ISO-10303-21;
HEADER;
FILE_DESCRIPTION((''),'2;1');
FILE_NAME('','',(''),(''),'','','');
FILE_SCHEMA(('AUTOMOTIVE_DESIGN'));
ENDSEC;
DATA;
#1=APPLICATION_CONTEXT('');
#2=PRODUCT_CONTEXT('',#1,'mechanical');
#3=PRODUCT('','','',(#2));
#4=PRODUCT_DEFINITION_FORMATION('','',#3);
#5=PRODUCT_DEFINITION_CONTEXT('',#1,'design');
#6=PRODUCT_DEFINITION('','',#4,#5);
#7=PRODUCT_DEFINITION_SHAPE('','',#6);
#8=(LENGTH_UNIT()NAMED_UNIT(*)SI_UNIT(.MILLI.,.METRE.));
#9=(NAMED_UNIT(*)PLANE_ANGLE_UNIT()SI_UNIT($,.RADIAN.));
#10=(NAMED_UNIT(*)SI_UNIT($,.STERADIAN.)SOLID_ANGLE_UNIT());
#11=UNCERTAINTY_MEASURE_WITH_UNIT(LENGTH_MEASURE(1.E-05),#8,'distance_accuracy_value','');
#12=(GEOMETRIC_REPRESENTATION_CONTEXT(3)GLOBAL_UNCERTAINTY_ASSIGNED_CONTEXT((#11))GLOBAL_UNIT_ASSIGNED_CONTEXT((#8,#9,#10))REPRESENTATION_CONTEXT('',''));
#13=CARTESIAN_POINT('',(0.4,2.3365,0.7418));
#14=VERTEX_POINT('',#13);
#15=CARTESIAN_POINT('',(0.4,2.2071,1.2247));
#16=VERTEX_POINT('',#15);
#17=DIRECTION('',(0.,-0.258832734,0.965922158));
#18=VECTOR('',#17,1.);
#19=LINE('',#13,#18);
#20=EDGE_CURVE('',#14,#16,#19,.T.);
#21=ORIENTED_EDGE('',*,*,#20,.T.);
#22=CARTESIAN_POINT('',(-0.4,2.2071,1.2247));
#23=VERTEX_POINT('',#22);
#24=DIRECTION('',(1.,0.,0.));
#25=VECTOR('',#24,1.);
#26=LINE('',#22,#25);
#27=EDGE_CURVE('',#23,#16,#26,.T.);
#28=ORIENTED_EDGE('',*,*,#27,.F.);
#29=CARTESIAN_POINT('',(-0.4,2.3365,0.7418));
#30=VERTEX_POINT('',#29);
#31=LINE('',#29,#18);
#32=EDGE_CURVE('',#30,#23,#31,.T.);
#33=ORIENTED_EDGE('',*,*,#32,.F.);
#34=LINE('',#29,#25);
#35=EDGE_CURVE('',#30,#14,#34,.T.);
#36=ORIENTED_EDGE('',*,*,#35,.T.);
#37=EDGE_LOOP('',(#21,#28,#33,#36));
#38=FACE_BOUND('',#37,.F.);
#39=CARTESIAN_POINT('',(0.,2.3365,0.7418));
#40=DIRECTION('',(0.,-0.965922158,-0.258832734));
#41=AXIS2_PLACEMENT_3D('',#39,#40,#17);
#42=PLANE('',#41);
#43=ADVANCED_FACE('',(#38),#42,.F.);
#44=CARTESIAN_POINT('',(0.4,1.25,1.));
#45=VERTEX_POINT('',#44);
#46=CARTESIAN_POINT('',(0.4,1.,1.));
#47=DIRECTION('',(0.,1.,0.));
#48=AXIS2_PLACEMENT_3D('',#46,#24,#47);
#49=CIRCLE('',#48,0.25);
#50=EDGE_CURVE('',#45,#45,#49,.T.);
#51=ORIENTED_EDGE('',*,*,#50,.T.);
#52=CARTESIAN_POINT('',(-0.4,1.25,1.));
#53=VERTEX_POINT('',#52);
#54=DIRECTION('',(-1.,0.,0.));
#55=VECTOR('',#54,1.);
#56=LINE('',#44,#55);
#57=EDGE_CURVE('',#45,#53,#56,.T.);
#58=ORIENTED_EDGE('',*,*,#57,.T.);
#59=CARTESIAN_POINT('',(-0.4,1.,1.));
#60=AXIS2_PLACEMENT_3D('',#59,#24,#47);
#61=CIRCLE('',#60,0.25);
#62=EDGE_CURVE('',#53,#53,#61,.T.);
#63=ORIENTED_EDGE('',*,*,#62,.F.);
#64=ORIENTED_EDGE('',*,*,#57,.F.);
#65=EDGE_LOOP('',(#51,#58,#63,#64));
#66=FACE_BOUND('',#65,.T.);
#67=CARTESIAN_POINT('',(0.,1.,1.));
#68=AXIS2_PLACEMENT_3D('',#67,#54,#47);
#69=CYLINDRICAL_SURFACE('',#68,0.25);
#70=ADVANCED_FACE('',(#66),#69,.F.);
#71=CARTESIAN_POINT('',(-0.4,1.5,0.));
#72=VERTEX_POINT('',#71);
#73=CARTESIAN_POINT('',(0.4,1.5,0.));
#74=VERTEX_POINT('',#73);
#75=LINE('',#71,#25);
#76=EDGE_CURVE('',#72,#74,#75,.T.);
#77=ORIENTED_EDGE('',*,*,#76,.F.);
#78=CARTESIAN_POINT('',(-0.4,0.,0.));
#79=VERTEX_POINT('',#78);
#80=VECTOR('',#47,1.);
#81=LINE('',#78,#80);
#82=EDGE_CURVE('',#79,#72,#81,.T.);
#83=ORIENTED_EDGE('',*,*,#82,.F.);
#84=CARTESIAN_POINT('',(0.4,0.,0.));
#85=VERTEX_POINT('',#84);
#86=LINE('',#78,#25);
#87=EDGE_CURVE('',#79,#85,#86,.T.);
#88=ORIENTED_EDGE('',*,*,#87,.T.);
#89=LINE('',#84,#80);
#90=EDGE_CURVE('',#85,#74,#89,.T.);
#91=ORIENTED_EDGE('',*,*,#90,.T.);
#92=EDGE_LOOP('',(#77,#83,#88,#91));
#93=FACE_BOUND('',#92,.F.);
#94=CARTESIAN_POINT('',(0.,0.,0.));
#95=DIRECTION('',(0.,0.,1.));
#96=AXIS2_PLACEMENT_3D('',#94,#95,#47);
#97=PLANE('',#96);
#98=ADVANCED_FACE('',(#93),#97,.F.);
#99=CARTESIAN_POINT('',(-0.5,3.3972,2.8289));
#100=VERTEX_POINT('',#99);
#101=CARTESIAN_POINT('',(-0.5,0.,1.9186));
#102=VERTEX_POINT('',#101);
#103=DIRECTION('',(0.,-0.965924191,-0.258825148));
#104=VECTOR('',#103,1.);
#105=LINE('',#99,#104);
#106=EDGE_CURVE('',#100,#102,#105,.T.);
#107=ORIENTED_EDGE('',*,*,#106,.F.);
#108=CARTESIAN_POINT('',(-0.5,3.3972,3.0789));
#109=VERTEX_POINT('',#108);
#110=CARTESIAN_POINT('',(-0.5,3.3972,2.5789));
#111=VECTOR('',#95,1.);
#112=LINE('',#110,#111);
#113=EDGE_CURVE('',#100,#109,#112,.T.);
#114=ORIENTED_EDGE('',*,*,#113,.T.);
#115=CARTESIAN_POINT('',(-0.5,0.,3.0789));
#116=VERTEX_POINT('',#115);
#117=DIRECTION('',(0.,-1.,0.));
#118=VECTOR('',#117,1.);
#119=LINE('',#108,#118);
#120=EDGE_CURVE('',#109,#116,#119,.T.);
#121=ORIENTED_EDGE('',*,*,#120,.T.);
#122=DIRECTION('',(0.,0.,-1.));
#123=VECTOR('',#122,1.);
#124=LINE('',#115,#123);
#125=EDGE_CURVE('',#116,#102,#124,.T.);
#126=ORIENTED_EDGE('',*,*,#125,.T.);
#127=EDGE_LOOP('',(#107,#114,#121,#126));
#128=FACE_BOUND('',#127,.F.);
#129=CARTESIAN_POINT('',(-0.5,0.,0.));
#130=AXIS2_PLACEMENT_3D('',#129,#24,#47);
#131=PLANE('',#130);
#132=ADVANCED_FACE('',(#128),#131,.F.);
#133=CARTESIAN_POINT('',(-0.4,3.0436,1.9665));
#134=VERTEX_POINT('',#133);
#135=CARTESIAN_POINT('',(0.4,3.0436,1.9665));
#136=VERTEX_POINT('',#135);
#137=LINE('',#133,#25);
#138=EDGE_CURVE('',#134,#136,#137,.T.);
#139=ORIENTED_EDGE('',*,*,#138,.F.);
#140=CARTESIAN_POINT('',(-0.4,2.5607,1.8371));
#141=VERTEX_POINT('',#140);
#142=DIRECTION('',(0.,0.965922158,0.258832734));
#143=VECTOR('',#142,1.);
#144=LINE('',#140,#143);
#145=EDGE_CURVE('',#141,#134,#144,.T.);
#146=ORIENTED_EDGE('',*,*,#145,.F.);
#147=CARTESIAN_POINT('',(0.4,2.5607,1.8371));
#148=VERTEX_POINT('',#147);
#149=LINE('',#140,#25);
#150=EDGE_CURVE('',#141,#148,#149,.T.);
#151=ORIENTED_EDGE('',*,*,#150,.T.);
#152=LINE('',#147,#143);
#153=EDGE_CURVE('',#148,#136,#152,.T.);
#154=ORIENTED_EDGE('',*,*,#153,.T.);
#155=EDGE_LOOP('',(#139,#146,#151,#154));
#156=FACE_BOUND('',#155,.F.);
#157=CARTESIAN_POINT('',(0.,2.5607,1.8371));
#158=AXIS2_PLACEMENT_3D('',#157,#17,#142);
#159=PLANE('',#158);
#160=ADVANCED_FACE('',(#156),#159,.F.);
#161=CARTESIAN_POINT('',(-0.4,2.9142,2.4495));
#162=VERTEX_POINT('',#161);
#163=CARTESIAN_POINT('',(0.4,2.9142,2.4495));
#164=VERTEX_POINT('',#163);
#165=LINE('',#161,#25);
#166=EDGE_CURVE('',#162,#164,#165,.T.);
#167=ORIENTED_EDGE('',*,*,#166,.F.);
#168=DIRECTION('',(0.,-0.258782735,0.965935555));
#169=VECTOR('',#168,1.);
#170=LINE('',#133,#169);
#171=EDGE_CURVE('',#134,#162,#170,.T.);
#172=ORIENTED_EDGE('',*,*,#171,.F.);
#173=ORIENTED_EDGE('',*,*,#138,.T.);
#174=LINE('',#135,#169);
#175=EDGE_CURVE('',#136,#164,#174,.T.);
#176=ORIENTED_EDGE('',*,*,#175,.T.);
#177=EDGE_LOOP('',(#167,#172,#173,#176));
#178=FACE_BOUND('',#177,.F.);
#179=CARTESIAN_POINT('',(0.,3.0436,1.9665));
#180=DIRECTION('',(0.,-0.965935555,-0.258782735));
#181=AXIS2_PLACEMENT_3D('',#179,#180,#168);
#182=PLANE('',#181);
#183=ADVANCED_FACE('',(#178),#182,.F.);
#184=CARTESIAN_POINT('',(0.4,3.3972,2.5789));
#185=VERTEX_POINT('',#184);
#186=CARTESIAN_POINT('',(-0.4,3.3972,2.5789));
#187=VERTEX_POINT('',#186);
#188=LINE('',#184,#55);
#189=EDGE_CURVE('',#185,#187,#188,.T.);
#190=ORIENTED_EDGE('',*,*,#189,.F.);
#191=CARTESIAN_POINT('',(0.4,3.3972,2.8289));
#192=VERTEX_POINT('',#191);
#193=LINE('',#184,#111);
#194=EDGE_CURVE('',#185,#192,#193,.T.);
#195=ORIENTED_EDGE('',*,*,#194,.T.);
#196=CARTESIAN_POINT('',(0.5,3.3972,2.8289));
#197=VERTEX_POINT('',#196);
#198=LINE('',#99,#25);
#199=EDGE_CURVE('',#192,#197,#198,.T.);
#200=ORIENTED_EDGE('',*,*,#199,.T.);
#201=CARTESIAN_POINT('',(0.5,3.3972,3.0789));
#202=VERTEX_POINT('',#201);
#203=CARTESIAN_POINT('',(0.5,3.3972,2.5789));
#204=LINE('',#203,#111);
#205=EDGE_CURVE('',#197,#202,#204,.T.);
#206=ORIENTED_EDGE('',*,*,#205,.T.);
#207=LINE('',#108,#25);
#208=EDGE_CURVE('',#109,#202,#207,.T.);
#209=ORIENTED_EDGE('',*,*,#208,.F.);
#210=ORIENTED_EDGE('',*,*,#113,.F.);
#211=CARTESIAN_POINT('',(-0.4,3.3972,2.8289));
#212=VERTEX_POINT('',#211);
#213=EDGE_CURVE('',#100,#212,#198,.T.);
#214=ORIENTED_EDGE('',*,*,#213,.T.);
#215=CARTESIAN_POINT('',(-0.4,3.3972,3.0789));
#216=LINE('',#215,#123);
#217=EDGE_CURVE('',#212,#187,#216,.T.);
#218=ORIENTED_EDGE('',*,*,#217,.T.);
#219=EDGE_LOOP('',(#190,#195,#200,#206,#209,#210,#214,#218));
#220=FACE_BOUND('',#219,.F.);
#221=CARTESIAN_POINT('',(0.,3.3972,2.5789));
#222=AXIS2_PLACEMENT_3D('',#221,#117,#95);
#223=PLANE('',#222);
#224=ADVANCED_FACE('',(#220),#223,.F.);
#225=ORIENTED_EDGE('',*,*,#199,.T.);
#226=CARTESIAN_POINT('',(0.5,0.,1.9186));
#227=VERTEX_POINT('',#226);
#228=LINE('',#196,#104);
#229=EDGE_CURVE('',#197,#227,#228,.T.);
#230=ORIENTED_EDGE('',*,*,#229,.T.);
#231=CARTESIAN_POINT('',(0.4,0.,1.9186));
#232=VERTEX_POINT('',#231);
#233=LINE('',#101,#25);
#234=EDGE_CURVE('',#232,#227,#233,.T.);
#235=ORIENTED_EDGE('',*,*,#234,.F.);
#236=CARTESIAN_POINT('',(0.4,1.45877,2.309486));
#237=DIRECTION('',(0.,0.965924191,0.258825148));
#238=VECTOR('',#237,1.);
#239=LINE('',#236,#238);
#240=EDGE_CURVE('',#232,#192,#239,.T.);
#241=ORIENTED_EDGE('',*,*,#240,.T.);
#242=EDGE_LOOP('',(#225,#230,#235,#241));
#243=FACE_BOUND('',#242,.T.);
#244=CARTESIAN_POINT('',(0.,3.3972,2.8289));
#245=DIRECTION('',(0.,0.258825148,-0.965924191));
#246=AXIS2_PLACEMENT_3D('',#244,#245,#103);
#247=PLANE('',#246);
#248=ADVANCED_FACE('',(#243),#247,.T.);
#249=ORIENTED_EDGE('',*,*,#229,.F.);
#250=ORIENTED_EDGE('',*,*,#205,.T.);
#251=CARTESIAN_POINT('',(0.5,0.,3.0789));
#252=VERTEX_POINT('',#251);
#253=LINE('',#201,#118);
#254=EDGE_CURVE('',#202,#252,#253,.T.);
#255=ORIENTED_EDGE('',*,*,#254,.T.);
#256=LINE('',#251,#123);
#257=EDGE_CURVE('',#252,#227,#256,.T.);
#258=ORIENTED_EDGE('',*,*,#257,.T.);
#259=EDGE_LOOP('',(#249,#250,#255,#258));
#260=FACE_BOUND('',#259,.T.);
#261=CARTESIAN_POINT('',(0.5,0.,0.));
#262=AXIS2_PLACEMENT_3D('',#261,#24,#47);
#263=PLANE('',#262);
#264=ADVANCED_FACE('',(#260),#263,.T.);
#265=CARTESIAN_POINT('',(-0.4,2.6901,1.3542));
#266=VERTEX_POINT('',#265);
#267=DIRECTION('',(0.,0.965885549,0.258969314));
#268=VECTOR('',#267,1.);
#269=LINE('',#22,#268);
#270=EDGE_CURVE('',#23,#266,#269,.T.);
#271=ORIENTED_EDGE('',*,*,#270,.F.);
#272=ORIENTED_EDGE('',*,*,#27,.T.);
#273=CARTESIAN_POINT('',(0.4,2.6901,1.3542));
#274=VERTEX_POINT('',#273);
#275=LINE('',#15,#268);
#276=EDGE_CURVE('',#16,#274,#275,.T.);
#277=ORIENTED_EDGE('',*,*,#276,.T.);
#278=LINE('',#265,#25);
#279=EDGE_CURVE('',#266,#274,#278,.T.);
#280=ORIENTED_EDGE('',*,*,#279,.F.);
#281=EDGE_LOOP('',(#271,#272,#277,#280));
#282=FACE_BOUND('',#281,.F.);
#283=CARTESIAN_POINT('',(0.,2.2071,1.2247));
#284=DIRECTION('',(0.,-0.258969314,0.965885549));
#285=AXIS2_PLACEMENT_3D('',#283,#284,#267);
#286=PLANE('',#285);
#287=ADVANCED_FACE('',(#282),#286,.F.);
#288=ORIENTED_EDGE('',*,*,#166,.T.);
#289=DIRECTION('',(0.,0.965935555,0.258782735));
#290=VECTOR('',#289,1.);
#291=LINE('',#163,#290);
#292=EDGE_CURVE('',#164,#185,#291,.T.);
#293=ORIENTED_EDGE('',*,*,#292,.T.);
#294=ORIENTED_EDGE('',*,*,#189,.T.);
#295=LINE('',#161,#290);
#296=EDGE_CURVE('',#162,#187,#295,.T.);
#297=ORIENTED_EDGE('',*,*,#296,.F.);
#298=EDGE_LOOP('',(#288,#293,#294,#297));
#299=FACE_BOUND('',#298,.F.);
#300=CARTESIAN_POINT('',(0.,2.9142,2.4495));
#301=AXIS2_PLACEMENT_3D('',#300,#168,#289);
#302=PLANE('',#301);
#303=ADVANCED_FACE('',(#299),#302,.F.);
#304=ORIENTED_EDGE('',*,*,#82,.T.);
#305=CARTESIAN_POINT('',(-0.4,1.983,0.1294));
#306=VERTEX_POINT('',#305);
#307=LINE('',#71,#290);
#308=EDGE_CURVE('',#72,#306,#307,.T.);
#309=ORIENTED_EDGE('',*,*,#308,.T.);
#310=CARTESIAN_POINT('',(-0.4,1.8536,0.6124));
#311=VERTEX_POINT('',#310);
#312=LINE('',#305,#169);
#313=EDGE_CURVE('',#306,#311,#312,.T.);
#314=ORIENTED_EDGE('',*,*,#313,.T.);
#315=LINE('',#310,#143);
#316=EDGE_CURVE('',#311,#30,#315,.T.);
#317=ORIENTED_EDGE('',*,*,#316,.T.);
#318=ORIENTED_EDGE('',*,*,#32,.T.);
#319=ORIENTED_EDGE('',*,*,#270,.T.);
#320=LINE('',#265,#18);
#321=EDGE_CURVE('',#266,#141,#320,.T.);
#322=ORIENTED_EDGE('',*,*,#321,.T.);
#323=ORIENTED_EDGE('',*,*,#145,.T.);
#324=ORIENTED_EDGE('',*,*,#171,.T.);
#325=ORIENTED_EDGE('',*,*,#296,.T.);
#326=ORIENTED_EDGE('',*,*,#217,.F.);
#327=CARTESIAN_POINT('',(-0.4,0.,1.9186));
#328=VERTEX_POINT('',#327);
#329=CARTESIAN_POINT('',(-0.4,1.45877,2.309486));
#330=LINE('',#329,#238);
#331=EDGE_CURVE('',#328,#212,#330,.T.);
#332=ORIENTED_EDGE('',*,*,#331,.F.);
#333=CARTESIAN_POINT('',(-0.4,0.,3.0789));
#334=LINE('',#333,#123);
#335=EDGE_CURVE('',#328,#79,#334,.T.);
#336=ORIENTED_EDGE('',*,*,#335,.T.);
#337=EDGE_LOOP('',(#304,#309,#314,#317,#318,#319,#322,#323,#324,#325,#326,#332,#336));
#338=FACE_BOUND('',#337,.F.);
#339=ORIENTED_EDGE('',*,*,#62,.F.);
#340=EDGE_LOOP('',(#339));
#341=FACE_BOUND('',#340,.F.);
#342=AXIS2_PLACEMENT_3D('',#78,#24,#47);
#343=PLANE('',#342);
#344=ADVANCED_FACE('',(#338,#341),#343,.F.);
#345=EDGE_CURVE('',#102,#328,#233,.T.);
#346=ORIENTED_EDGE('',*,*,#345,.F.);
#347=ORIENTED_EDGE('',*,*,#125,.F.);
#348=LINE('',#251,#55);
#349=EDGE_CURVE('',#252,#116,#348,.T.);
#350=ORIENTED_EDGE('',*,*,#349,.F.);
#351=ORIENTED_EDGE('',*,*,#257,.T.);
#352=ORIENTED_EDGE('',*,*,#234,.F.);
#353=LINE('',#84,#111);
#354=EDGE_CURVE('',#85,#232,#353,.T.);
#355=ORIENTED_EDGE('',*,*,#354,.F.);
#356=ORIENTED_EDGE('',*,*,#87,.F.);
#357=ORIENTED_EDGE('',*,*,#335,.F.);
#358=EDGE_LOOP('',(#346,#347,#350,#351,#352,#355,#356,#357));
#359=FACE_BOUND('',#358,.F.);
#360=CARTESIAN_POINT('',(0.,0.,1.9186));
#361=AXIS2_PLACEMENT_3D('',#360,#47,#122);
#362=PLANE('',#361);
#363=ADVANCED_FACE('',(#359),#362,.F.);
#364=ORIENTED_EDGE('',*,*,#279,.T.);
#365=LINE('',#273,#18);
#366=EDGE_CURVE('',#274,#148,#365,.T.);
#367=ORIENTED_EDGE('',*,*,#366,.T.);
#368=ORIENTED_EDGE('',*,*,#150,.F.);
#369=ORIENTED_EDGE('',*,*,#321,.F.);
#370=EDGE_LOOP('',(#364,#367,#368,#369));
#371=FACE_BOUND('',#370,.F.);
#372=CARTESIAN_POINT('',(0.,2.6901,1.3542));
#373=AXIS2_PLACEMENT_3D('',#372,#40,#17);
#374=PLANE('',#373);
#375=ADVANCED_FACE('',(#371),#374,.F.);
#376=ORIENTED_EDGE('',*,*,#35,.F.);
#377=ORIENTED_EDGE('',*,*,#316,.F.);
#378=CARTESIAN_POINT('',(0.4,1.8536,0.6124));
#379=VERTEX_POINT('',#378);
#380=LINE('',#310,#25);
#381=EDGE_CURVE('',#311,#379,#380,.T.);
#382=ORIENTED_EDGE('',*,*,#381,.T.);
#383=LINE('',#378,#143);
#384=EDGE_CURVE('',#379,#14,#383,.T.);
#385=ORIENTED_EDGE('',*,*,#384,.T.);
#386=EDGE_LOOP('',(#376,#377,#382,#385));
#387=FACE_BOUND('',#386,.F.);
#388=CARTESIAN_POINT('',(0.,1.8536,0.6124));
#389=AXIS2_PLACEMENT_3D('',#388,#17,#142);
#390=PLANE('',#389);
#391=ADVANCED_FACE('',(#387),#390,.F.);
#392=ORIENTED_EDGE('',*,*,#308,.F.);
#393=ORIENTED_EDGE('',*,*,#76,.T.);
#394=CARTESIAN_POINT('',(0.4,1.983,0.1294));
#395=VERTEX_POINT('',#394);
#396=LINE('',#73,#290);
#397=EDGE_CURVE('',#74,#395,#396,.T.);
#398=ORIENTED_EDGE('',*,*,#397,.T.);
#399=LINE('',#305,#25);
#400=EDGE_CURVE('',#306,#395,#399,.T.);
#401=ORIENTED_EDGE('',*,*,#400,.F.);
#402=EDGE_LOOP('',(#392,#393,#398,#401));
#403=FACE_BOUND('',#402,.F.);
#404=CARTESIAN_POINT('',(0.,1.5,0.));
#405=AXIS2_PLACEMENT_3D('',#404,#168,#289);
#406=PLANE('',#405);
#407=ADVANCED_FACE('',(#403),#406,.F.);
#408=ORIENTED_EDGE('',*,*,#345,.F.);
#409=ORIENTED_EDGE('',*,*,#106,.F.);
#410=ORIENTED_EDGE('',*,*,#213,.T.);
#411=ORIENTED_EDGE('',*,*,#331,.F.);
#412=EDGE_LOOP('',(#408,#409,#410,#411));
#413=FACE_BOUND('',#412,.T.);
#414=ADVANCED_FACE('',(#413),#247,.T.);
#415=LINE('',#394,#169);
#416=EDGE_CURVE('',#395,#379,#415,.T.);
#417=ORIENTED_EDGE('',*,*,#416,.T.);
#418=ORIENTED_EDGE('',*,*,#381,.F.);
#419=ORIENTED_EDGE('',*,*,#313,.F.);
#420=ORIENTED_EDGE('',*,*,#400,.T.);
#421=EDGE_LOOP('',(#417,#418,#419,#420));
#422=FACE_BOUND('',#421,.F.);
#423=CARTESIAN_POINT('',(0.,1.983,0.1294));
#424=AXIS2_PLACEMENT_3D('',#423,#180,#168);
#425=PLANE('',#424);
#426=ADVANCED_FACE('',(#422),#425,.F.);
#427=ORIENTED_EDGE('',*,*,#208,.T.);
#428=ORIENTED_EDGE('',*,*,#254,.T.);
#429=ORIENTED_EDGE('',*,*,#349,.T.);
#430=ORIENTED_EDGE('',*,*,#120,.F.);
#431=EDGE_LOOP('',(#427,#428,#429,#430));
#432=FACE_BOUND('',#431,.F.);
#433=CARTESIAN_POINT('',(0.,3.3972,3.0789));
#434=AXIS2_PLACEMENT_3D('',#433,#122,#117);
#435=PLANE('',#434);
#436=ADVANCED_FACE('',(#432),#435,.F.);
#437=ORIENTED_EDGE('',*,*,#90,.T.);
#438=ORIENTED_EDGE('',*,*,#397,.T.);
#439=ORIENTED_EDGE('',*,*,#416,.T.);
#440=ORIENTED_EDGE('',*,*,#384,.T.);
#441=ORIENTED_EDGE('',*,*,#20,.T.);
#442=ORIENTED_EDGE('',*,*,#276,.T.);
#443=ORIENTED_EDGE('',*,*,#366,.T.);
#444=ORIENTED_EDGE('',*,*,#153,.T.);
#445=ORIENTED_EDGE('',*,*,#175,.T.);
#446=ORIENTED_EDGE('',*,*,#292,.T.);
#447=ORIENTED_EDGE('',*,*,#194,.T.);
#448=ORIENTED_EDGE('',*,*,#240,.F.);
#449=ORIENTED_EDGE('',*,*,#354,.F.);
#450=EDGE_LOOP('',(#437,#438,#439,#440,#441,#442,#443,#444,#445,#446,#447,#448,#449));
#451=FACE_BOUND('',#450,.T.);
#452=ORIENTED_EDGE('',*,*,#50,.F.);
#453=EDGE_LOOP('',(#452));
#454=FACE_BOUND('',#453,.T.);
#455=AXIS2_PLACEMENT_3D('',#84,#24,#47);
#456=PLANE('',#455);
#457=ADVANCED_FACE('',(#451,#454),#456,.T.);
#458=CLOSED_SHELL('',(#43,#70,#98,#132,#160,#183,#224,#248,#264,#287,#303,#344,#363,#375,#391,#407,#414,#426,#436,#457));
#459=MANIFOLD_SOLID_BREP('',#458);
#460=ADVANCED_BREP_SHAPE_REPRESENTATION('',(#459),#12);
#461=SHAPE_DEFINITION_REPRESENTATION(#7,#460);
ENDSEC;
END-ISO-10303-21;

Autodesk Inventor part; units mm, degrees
ref_plane "YZ Plane" through (0, 0, 0) normal (1, 0, 0) x (0, 1, 0)
ref_plane "XZ Plane" through (0, 0, 0) normal (0, 1, 0) x (-1, 0, 0)
ref_plane "XY Plane" through (0, 0, 0) normal (0, 0, 1) x (1, 0, 0)
sketch "草圖2" plane through (0, 0, 0) normal (1, 0, 0) x (0, 1, 0)
  line L0 (0, 0) -> (1.5, 0)
  line L1 (1.5, 0) -> (1.983, 0.1294)
  line L2 (1.983, 0.1294) -> (1.8536, 0.6124)
  line L3 (1.8536, 0.6124) -> (2.3365, 0.7418)
  line L4 (2.3365, 0.7418) -> (2.2071, 1.2247)
  line L5 (2.2071, 1.2247) -> (2.6901, 1.3542)
  line L6 (2.6901, 1.3542) -> (2.5607, 1.8371)
  line L7 (2.5607, 1.8371) -> (3.0436, 1.9665)
  line L8 (3.0436, 1.9665) -> (2.9142, 2.4495)
  line L9 (2.9142, 2.4495) -> (3.3972, 2.5789)
  line L10 (3.3972, 2.5789) -> (3.3972, 3.0789)
  line L11 (3.3972, 3.0789) -> (0, 3.0789)
  line L12 (0, 3.0789) -> (0, 0)
  circle A0 centre (1, 1) radius 0.25
  line L13 (2.9142, 2.4495) -> (1.5, 0) construction
  line L14 (-0.6794, 0) -> (4.0766, 0) projected
  line L15 (3.3972, 2.5789) -> (2.9142, 2.4495)
  line L16 (3.3972, 2.8289) -> (0, 1.9186)
  point P0 (1.7321, 2.7321)
  dimension "d44" = 1.5
  dimension "d46" = 0.5
  dimension "d48" = 0.5
  dimension "d49" = 15
  dimension "d50" = 0.5
  dimension "d51" = 1
  dimension "d52" = 1
extrude "擠出1" add sketch "草圖2" along normal mid plane 0.8
extrude "擠出3" add sketch "草圖2" along normal mid plane 1 contours L12 L11 L10 L16
properties part number "階梯"
